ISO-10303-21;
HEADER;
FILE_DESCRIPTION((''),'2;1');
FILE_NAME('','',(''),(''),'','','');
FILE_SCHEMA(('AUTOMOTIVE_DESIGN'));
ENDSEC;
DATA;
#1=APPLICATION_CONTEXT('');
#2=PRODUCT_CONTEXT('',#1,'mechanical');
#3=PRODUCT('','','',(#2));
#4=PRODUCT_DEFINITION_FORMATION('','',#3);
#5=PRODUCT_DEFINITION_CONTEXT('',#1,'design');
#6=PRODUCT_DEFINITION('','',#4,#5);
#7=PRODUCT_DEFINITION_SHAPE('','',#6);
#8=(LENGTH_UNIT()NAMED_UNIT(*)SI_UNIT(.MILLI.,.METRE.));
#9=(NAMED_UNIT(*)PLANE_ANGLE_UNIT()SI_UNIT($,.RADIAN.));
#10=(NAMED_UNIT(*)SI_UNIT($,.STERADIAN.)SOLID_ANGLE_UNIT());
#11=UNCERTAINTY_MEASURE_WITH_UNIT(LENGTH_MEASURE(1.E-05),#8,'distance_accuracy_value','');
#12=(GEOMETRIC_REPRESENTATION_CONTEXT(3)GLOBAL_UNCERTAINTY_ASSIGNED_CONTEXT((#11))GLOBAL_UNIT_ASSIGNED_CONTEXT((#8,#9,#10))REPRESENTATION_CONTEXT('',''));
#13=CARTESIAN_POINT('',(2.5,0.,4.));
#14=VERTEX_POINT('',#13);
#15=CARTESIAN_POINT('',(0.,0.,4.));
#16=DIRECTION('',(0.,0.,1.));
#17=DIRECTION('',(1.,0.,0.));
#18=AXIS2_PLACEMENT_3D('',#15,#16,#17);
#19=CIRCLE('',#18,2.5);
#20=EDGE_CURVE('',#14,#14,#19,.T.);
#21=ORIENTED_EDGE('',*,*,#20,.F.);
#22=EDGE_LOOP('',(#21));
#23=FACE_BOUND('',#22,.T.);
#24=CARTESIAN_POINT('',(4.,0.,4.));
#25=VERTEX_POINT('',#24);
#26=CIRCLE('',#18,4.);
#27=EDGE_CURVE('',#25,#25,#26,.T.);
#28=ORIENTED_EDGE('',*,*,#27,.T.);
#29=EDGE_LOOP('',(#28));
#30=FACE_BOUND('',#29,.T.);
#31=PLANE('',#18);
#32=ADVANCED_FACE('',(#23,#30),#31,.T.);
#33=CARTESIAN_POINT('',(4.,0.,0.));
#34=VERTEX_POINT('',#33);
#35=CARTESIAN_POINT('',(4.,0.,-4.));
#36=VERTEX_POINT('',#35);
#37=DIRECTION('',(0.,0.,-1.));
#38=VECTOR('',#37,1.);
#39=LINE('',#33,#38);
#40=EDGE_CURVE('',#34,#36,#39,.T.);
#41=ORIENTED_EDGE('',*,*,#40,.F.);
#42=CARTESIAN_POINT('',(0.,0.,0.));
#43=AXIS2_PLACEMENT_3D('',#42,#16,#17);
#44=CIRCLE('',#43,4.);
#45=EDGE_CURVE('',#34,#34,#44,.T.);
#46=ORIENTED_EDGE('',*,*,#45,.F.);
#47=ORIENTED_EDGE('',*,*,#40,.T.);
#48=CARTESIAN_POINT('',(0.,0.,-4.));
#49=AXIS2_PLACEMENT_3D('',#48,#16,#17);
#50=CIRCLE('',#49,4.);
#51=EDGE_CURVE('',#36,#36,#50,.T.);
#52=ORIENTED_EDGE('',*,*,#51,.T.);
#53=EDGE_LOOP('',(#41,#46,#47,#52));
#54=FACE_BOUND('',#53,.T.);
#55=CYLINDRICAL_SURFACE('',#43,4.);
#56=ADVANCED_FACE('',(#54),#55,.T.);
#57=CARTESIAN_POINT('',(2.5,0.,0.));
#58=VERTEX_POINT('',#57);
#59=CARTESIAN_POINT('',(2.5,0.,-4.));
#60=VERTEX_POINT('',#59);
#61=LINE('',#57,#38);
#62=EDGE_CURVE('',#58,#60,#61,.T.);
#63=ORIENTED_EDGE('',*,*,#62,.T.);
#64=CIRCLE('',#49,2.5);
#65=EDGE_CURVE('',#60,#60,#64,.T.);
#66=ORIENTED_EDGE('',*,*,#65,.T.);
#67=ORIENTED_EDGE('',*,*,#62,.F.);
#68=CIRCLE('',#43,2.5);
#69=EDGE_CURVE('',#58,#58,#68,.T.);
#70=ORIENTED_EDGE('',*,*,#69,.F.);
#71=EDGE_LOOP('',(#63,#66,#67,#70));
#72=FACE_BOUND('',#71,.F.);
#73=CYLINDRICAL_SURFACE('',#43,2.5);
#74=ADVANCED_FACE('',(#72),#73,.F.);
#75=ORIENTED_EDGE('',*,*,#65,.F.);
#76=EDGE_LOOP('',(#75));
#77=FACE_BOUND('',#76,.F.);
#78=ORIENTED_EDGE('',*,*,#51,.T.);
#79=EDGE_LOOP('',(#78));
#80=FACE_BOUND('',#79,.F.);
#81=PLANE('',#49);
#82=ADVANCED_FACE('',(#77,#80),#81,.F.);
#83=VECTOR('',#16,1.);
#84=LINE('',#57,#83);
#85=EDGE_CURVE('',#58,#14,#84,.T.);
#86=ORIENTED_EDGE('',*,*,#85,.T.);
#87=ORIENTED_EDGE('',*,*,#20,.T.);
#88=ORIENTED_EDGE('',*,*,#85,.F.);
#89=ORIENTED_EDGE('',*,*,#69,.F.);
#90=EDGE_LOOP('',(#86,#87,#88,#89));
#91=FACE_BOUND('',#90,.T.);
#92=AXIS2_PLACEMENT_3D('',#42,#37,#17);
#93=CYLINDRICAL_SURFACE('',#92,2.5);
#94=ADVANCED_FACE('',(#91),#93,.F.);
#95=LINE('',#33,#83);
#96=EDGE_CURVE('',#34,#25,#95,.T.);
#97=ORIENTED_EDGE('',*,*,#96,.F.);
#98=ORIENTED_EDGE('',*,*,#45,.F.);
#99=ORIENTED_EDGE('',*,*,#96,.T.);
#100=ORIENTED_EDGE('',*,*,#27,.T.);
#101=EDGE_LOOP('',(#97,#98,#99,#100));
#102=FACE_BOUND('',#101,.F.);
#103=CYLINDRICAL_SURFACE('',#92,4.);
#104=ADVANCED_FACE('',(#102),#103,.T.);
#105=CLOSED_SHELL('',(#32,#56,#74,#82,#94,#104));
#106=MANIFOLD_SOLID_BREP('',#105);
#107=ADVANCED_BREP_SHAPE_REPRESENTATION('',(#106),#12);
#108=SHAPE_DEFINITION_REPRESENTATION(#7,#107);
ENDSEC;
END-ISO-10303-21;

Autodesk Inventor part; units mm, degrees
ref_plane "YZ Plane" through (0, 0, 0) normal (1, 0, 0) x (0, 1, 0)
ref_plane "XZ Plane" through (0, 0, 0) normal (0, 1, 0) x (-1, 0, 0)
ref_plane "XY Plane" through (0, 0, 0) normal (0, 0, 1) x (1, 0, 0)
sketch "Sketch1" plane through (0, 0, 0) normal (0, 0, 1) x (1, 0, 0)
  circle A0 centre (0, 0) radius 4
  circle A1 centre (0, 0) radius 2.5
  dimension "d0" = 8
  dimension "d1" = 5
extrude "Extrusion1" add sketch "Sketch1" along normal mid plane 8
properties part number "13 ms2"
